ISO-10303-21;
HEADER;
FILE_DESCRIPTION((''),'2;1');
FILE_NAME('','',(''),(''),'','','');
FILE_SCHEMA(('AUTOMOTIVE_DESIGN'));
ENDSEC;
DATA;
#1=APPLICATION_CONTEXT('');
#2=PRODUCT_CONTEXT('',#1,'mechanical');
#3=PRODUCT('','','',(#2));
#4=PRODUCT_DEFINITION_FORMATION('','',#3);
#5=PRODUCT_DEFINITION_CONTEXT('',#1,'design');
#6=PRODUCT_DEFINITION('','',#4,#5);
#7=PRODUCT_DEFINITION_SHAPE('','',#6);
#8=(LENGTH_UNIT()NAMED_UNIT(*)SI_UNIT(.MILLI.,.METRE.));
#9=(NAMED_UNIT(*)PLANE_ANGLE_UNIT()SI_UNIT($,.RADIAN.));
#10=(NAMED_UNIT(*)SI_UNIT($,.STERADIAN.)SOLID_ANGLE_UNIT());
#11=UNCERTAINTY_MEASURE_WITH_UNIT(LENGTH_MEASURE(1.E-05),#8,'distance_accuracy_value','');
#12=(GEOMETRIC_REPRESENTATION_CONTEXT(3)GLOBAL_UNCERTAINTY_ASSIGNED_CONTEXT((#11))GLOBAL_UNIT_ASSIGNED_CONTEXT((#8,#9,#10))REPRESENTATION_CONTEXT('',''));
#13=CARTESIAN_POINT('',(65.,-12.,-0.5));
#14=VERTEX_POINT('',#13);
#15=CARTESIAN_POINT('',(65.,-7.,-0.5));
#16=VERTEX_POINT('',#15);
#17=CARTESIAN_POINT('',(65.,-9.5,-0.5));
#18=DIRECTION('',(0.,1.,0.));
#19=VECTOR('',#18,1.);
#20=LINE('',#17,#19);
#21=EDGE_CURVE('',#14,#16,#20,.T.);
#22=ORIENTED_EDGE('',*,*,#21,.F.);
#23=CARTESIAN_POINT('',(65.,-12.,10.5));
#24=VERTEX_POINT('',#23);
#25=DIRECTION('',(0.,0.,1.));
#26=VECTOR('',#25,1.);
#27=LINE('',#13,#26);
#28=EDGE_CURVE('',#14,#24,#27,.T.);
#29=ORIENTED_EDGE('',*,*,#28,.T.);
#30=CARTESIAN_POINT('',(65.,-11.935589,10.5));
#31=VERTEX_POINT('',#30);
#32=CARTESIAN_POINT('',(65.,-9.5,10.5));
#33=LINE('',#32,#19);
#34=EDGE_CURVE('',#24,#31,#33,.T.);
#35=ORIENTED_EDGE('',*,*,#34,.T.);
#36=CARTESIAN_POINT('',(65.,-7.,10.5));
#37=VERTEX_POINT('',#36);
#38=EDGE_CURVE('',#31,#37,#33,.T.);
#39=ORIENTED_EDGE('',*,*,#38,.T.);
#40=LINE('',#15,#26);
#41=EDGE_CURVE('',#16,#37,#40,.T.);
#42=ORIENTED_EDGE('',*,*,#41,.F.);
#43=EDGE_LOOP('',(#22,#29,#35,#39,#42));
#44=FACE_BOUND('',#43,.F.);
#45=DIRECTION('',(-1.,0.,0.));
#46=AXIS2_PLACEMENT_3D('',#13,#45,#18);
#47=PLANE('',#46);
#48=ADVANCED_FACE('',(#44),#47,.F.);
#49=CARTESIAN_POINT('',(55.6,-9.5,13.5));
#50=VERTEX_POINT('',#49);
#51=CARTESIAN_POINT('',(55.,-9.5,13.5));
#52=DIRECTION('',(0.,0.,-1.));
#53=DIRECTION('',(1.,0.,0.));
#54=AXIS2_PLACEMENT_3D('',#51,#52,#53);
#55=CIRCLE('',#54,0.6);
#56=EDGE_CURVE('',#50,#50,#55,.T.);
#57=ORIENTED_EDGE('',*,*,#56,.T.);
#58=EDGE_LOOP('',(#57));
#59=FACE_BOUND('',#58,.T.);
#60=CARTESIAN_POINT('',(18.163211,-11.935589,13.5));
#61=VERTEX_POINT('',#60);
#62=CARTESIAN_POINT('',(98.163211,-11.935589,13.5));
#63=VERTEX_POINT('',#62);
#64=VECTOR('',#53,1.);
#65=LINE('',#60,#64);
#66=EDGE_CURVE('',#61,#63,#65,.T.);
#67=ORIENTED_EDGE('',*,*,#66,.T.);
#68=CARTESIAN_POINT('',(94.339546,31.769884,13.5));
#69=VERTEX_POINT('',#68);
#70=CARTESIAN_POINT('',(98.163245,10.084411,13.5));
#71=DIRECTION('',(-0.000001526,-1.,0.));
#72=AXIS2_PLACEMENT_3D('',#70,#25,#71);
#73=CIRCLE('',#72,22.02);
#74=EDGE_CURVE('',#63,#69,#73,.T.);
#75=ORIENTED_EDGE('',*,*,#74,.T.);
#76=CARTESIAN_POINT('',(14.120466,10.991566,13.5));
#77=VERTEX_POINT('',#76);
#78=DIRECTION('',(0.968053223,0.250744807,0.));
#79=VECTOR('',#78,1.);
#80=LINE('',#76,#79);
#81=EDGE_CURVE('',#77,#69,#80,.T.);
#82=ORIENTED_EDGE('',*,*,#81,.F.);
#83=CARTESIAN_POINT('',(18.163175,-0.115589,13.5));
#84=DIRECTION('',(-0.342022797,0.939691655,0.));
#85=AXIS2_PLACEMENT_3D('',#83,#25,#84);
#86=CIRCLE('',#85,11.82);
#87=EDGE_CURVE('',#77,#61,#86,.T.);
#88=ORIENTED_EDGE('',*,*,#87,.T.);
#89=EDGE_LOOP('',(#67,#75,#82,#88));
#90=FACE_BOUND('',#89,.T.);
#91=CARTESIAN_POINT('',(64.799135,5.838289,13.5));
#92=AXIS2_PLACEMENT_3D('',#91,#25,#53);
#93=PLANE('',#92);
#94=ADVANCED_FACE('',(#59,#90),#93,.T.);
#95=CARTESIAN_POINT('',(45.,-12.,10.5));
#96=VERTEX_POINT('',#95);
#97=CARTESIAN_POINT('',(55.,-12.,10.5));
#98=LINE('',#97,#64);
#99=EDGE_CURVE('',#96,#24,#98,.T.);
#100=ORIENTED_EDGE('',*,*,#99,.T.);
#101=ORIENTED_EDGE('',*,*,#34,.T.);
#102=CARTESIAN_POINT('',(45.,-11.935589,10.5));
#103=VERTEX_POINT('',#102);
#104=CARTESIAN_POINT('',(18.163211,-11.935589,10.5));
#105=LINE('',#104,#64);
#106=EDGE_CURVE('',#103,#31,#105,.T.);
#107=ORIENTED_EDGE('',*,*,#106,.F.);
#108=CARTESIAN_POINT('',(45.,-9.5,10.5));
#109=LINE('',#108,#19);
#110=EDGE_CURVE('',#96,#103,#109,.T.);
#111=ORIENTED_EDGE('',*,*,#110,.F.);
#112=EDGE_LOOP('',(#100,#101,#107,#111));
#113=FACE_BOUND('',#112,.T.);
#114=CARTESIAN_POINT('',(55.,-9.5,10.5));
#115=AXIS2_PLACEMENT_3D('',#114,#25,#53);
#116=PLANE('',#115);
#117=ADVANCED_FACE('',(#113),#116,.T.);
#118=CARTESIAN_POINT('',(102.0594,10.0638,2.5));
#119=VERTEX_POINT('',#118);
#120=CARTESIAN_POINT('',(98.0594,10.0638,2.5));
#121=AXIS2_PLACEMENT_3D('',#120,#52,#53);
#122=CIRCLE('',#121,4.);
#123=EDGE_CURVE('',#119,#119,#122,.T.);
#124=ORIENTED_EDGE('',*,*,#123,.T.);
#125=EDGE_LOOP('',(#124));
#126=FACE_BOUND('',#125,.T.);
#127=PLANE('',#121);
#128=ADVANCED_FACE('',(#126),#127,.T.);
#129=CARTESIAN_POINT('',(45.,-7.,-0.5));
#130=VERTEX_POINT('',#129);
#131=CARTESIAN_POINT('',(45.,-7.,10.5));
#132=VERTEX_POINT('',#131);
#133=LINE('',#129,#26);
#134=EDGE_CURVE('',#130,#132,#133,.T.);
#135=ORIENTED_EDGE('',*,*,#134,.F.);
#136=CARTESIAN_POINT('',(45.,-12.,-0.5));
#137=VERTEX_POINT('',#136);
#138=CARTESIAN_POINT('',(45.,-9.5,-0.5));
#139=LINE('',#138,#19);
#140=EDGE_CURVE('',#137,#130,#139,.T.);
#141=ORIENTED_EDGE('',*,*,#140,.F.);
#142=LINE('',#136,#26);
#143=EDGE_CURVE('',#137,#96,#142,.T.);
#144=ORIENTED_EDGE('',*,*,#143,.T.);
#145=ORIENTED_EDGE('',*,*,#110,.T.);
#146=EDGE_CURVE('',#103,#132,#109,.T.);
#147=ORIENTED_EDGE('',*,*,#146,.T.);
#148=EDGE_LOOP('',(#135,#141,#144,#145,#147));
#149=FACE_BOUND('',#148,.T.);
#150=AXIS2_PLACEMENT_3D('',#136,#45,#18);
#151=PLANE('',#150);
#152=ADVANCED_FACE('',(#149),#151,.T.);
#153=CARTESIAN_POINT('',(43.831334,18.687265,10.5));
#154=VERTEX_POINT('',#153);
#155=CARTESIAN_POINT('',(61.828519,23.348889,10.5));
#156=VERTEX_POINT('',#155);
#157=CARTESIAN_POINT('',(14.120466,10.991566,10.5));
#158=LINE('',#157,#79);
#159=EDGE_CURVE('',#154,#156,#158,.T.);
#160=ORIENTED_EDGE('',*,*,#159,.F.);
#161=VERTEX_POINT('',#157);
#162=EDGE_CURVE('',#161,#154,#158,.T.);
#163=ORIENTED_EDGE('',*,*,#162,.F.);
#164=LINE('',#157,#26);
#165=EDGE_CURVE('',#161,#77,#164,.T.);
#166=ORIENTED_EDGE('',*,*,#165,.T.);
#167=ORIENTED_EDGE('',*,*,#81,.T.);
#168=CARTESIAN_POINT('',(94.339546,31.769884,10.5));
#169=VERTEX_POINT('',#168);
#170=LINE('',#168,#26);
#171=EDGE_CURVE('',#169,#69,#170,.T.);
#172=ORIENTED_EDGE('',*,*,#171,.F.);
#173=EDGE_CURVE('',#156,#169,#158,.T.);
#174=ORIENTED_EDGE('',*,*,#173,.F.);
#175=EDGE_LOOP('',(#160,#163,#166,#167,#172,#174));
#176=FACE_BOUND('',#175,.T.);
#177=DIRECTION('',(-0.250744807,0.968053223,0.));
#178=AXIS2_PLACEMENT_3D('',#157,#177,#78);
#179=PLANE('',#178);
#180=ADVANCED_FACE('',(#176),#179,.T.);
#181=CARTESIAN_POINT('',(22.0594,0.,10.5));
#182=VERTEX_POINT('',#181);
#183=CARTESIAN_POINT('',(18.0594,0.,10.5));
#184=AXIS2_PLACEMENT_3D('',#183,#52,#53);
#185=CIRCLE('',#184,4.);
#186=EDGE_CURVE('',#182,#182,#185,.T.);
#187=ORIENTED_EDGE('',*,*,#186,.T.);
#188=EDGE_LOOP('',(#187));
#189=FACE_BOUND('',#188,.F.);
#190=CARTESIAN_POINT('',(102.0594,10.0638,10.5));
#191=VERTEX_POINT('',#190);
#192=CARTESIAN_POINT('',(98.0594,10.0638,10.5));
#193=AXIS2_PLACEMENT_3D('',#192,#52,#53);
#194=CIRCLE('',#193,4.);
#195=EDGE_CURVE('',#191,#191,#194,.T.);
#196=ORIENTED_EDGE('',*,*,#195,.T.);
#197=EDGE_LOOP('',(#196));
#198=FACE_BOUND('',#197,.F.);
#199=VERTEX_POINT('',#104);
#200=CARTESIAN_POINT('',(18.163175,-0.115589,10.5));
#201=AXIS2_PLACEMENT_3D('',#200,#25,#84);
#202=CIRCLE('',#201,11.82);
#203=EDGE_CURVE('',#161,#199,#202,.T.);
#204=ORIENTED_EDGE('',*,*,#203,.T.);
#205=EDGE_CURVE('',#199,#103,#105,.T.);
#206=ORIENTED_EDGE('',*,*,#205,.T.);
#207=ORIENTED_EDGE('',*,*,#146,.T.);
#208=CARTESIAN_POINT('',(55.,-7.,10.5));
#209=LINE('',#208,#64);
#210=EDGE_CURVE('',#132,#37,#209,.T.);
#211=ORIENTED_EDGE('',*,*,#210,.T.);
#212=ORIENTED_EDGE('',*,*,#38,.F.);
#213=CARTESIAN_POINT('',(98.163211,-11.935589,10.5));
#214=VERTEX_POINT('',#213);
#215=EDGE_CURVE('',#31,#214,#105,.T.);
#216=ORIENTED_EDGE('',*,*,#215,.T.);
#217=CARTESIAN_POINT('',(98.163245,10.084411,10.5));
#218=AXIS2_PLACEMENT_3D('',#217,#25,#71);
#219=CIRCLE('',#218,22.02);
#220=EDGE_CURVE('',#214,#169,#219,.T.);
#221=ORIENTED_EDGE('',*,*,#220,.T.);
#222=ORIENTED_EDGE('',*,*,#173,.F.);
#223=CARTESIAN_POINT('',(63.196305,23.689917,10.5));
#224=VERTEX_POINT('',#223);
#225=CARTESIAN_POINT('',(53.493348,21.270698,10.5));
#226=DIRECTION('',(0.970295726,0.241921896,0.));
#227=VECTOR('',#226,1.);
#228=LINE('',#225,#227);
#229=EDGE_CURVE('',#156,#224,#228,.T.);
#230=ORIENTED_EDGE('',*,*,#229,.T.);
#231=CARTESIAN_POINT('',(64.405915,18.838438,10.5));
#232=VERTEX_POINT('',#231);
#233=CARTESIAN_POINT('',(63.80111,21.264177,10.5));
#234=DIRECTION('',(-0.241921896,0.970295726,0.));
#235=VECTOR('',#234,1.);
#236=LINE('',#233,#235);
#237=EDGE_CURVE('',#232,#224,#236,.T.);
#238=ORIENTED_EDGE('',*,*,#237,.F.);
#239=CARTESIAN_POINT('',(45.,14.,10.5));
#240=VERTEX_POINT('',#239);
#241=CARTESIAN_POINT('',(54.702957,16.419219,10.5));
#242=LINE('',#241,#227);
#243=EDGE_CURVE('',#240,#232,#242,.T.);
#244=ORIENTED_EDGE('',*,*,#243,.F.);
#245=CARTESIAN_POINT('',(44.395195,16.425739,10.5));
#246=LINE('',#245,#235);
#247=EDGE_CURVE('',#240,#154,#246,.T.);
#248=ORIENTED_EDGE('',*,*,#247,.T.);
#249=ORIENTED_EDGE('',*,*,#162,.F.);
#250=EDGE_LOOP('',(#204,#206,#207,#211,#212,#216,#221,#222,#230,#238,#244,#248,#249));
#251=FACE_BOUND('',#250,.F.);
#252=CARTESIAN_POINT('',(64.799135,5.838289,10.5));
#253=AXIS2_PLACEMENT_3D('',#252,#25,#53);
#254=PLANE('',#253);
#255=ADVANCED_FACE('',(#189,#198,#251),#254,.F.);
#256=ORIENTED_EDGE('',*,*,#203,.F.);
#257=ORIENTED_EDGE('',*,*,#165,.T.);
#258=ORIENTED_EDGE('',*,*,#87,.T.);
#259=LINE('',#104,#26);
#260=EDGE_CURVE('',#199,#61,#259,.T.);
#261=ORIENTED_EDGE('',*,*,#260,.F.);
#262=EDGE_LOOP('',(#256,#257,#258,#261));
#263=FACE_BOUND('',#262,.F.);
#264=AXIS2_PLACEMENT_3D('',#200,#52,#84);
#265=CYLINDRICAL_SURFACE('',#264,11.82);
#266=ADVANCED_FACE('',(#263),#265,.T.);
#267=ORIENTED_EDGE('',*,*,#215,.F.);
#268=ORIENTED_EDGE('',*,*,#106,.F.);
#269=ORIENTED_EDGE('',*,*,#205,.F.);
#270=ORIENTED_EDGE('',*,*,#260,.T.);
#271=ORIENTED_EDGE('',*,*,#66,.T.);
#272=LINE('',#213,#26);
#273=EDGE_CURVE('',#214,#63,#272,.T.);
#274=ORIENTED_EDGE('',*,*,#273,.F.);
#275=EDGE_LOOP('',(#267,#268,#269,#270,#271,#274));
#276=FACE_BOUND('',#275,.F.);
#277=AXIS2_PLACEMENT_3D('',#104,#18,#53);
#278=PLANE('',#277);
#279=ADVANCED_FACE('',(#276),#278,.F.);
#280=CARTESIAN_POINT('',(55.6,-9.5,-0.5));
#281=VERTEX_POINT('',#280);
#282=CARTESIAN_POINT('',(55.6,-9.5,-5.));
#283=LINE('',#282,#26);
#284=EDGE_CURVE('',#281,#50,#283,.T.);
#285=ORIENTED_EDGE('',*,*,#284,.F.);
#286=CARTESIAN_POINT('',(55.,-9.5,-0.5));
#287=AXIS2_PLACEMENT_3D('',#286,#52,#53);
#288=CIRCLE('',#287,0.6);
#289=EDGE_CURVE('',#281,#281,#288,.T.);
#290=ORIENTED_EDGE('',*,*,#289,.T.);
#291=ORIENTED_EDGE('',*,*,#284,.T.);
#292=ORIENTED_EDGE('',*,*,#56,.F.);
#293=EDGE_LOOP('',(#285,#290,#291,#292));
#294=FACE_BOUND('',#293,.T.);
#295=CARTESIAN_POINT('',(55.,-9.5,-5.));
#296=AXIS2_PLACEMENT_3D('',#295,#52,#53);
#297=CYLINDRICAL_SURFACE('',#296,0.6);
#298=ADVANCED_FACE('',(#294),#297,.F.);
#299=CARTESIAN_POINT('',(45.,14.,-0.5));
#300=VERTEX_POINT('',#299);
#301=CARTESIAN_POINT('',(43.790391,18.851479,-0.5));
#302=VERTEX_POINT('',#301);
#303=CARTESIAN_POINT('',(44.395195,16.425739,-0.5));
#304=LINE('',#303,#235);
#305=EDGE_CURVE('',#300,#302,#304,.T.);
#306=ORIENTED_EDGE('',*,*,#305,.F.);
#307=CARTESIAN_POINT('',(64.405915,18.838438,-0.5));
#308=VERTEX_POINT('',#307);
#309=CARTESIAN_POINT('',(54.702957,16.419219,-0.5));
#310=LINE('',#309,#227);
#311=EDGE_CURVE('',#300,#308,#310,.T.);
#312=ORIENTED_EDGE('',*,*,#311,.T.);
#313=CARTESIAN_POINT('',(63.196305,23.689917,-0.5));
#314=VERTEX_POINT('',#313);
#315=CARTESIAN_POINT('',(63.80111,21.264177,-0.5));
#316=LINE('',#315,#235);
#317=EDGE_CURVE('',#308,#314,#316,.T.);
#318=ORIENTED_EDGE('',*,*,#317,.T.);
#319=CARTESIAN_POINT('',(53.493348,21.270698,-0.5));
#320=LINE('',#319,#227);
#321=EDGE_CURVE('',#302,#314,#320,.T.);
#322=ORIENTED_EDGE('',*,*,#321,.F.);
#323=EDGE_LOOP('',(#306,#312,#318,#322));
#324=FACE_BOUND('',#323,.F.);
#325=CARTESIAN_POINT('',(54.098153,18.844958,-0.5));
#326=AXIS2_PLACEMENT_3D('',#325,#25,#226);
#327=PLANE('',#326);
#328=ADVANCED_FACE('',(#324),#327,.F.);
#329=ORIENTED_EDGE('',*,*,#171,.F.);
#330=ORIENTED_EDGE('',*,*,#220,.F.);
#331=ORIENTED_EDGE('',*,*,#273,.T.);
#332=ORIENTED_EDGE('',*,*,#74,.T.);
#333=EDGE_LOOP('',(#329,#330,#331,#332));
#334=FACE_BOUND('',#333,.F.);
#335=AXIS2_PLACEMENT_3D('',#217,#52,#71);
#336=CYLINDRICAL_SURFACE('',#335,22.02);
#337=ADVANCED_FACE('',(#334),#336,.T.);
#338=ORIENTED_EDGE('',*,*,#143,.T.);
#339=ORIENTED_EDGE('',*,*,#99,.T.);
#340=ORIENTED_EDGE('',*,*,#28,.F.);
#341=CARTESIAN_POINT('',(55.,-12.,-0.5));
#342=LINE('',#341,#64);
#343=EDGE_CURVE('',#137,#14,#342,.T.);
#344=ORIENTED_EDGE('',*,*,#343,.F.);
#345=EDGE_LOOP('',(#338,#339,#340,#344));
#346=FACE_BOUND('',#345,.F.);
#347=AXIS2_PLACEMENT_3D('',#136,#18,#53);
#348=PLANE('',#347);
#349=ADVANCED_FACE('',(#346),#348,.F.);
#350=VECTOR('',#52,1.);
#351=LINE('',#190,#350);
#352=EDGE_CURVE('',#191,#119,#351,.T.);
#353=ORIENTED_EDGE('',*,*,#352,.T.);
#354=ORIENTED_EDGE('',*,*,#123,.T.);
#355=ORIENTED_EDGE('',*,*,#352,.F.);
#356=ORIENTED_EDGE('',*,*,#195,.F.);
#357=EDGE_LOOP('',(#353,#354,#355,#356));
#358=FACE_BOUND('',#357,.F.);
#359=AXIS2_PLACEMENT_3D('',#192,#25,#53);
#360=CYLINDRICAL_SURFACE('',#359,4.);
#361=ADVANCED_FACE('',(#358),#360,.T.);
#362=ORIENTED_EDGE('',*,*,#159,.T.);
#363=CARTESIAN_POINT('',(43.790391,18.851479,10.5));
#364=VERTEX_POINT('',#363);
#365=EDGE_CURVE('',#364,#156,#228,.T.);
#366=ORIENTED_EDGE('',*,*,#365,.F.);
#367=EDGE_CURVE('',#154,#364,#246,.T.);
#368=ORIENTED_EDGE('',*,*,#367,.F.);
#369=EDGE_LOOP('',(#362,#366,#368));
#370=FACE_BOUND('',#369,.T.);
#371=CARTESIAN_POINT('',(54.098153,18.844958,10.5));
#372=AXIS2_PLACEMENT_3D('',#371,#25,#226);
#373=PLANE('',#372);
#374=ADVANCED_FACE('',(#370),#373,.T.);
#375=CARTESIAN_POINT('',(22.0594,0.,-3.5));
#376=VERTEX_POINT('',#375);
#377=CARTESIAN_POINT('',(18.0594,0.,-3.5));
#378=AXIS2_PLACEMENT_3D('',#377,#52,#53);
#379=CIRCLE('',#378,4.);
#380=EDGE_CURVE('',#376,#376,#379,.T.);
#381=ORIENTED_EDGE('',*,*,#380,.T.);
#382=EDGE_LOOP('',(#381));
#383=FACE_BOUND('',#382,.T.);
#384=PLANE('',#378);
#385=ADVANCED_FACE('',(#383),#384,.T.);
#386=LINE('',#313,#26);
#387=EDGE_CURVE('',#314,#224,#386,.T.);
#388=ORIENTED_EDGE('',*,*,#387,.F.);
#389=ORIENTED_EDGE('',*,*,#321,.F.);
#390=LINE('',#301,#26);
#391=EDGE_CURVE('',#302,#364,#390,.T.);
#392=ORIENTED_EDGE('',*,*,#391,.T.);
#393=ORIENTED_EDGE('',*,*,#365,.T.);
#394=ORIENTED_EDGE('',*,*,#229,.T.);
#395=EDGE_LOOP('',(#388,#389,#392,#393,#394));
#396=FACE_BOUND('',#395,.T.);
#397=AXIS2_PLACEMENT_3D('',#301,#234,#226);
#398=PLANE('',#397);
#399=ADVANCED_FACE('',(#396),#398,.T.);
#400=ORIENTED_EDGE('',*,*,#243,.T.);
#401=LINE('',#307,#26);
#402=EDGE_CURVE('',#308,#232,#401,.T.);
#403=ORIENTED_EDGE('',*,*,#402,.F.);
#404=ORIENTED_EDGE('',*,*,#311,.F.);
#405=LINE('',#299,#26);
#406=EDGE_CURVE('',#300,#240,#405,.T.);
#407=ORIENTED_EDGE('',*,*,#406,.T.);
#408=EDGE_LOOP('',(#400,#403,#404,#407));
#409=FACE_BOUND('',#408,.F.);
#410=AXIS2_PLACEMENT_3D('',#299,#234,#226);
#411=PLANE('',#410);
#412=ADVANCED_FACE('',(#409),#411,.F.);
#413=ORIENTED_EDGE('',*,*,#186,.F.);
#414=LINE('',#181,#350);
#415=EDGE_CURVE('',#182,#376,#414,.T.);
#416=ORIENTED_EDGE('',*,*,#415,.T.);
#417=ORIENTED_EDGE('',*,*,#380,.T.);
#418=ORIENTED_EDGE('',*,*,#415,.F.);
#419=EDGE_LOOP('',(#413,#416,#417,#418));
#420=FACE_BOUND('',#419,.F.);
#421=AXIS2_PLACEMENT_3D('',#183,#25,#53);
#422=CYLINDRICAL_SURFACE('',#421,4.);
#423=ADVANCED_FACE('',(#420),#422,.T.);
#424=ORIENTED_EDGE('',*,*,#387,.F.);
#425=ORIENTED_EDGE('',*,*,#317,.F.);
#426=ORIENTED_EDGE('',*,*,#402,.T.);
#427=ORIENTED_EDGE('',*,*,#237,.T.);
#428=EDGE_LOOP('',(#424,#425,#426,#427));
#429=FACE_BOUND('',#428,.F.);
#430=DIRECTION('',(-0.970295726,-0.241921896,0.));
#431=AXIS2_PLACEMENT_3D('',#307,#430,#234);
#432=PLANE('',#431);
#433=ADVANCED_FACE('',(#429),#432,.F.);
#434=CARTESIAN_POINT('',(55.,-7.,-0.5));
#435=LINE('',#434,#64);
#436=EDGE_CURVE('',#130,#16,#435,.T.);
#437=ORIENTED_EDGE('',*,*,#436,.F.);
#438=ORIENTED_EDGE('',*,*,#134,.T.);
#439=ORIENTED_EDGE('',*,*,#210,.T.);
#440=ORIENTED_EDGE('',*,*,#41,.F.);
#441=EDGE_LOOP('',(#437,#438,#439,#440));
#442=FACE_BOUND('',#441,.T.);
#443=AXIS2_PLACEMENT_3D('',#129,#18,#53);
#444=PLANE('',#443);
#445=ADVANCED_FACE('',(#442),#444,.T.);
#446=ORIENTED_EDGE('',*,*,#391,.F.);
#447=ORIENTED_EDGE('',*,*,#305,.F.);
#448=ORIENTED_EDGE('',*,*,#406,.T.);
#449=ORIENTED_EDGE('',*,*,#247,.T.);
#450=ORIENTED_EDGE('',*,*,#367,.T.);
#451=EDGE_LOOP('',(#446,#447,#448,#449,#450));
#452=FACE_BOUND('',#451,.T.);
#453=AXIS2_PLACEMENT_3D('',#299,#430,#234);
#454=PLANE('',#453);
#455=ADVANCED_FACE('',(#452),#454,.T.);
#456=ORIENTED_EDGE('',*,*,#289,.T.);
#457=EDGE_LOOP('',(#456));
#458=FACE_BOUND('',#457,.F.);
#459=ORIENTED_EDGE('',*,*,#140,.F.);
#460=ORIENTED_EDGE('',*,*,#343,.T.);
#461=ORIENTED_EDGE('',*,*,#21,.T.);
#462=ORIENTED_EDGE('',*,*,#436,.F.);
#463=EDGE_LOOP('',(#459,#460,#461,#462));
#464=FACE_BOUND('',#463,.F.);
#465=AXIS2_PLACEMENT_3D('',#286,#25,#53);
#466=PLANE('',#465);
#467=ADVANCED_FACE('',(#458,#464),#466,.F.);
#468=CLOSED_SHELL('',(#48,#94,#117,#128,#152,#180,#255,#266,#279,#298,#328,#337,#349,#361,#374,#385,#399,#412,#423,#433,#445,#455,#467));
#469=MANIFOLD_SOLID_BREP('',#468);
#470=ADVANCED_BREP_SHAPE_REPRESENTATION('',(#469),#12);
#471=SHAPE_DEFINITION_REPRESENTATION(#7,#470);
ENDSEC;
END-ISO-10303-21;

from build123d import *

# Parameters (mm, degrees)
CYLINDER011_R          = 0.6
CYLINDER011_DEPTH      = 20
BOX010_W               = 20
BOX010_H               = 5
BOX010_DEPTH           = 11
PAD001_DEPTH           = 3
SKETCH005_R            = 4
PAD002_DEPTH           = 8
SKETCH006_R            = 4
PAD003_DEPTH           = 14
BOX009_W               = 20
BOX009_H               = 5
BOX009_DEPTH           = 11
BOX009_PLACEMENT_ANGLE = 14


with BuildPart() as cylinder046:
    # Cylinder011 → Cylinder011 (new body)
    with BuildSketch(Plane(origin=(55, -9.5, -5), x_dir=(1, 0, 0), z_dir=(0, 0, 1))):
        Circle(CYLINDER011_R)
    extrude(amount=CYLINDER011_DEPTH)


with BuildPart() as cube010:
    # Box010 → Box010 (new body)
    with BuildSketch(Plane(origin=(45, -12, -0.5), x_dir=(1, 0, 0), z_dir=(0, 0, 1))):
        with Locations((10, 2.5)):
            Rectangle(BOX010_W, BOX010_H)
    extrude(amount=BOX010_DEPTH)


with BuildPart() as pad003:
    # Sketch004 → Pad001 (new body)
    with BuildSketch(Plane.XY.offset(10.5)):
        with BuildLine():
            ThreePointArc((14.120466, 10.991566), (6.522754, -2.168145), (18.163211, -11.935589))
            Line((18.163211, -11.935589), (98.163211, -11.935589))
            ThreePointArc((98.163211, -11.935589), (120.099455, 12.003546), (94.339546, 31.769884))
            Line((14.120466, 10.991566), (94.339546, 31.769884))
        make_face()
    extrude(amount=PAD001_DEPTH)

    # Sketch005 → Pad002 (new body)
    with BuildSketch(Plane(origin=(0, 0, 10.5), x_dir=(1, 0, 0), z_dir=(0, 0, -1))):
        with Locations((98.0594, -10.0638)):
            Circle(SKETCH005_R)
    extrude(amount=PAD002_DEPTH)

    # Sketch006 → Pad003 (new body)
    with BuildSketch(Plane(origin=(0, 0, 10.5), x_dir=(1, 0, 0), z_dir=(0, 0, -1))):
        with Locations((18.0594, 0)):
            Circle(SKETCH006_R)
    extrude(amount=PAD003_DEPTH)


with BuildPart() as cut010:
    # Box009 → Box009 (new body)
    with BuildSketch(Plane.XY):
        with Locations((10, 2.5)):
            Rectangle(BOX009_W, BOX009_H)
    extrude(amount=BOX009_DEPTH)


with BuildPart() as cut010_1:
    # Box009 placement: moved
    add(cut010.part.moved(Location((45, 14, -0.5))).rotate(Axis((45, 14, -0.5), (0, 0, 1)), BOX009_PLACEMENT_ANGLE))

    # Fusion005: union Cube010, Pad003
    add(cube010.part)
    add(pad003.part)

    # Cut010: cut Cylinder046
    add(cylinder046.part, mode=Mode.SUBTRACT)


solid = cut010_1.part
